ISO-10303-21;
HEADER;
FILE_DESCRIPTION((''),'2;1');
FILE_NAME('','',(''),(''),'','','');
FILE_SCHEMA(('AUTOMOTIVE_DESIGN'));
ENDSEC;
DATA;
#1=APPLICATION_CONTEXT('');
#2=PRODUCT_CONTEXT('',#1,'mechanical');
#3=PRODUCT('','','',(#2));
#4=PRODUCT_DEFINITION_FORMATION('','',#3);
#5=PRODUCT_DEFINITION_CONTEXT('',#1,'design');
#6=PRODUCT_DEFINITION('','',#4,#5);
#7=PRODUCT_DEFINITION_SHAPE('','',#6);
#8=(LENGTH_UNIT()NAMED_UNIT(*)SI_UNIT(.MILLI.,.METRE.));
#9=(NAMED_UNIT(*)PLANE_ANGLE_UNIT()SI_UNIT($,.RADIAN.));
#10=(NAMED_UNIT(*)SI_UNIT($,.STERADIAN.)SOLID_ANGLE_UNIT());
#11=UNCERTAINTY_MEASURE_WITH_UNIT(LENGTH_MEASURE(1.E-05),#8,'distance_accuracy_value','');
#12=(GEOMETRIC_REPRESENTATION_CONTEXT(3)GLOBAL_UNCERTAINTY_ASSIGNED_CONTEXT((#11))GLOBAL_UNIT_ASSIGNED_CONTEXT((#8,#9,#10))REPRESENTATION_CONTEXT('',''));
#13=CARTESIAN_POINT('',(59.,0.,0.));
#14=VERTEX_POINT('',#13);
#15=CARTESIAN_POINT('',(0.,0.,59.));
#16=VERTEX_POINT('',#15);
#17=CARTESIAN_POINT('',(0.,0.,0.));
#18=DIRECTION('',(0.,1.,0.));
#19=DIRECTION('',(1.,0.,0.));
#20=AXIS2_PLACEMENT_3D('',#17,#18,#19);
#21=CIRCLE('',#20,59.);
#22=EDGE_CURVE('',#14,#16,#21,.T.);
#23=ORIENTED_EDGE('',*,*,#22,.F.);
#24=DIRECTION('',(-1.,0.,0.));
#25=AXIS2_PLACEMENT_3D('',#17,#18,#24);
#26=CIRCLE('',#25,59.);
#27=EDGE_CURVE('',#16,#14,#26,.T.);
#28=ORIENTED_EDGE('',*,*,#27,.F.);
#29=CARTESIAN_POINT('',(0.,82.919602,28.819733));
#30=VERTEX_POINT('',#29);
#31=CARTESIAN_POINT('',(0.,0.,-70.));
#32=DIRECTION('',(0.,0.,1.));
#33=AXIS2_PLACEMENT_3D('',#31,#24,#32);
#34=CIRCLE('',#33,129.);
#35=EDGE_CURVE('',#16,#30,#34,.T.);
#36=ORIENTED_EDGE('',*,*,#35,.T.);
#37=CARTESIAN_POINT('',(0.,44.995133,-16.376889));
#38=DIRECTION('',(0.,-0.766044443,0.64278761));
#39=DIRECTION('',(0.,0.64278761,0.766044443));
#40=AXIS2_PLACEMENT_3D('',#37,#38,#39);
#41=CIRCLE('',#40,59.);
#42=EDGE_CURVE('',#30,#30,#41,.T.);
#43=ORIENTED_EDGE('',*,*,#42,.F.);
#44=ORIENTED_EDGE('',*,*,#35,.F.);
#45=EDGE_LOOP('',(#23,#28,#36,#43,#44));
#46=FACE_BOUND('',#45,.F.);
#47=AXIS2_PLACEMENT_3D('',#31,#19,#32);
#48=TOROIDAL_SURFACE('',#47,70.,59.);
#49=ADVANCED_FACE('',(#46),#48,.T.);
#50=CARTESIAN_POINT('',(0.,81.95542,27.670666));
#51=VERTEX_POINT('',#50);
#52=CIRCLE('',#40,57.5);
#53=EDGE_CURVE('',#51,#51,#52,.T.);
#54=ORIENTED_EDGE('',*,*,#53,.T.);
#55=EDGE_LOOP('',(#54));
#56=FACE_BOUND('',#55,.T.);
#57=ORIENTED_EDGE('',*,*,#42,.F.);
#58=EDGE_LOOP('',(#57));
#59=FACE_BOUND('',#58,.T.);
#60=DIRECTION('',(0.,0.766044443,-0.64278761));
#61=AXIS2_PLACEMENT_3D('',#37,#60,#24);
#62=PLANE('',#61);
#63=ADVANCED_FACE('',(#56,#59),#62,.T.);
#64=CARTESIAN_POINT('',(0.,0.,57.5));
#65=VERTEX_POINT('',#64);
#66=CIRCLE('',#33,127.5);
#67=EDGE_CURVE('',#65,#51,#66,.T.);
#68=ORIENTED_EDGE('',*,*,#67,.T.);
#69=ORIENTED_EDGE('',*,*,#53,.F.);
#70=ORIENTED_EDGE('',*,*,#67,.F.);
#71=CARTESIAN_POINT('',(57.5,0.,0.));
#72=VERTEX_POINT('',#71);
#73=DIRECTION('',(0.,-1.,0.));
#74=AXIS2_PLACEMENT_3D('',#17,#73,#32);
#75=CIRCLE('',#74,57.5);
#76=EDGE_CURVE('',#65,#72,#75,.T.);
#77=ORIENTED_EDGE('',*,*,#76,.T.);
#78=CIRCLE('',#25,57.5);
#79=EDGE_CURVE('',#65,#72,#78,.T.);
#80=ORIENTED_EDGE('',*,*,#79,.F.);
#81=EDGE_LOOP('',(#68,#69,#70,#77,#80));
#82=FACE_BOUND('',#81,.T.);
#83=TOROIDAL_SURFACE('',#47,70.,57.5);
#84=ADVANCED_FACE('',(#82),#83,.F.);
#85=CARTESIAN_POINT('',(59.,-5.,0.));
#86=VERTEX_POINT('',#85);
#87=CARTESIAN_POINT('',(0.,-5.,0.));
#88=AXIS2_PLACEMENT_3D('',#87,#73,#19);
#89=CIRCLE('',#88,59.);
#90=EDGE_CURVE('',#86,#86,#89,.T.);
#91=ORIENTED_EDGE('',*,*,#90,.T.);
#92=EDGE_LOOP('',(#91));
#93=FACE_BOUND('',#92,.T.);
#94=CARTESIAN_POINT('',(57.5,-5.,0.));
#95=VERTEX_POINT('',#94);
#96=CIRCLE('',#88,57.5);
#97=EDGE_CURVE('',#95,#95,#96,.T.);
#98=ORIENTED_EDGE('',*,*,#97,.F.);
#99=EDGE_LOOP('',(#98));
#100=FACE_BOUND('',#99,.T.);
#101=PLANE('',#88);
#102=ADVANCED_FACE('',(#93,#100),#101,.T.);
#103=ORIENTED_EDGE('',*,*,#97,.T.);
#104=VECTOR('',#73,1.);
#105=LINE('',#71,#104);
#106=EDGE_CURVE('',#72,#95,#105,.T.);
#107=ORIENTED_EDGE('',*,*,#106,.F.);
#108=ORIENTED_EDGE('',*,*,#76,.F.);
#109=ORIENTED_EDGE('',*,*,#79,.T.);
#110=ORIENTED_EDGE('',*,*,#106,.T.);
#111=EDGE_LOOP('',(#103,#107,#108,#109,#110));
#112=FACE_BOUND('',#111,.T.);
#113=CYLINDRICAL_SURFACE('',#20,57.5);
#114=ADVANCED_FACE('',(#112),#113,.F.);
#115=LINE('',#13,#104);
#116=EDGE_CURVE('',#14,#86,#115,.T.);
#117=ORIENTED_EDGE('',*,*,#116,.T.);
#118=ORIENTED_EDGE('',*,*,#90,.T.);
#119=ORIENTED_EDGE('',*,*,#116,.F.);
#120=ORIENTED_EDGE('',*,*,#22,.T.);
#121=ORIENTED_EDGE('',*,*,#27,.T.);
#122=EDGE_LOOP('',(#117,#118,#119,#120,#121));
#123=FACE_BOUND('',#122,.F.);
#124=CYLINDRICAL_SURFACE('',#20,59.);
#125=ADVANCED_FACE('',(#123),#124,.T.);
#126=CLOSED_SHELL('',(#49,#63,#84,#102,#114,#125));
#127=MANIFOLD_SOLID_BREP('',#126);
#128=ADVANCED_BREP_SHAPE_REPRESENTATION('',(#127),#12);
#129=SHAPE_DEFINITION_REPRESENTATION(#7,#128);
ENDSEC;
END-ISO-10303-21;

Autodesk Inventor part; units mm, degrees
ref_plane "XZ Plane" through (0, 0, 0) normal (0, 1, 0) x (-1, 0, 0)
ref_plane "XY Plane" through (0, 0, 0) normal (0, 0, 1) x (1, 0, 0)
sketch "Sketch1" plane through (0, 0, 0) normal (0, 1, 0) x (-1, 0, 0)
  circle A0 centre (0, 0) radius 57.5
  line L0 (0, 57.5) -> (0, 59)
  circle A1 centre (0, 0) radius 59
  line L1 (82.6, -70) -> (-82.6, -70) projected
  dimension "d0" = 115
  dimension "d1" = 1.5
sketch "Sketch2" plane through (0, 0, 0) normal (1, 0, 0) x (0, 1, 0)
  line L0 (0, 0) -> (0, -70)
  dimension "d2" = 70
revolve "Revolution1" add sketch "Sketch1" angle 40 about axis through (0, 0, -70) along (-1, 0, 0)
sketch "Sketch3" plane through (0, 0, 0) normal (0, -1, 0) x (1, 0, 0)
  circle A0 centre (0, 0) radius 57.5
  circle A1 centre (0, 0) radius 59
extrude "Extrusion1" add sketch "Sketch3" along normal blind 5
properties part number "Fan_Part3"
